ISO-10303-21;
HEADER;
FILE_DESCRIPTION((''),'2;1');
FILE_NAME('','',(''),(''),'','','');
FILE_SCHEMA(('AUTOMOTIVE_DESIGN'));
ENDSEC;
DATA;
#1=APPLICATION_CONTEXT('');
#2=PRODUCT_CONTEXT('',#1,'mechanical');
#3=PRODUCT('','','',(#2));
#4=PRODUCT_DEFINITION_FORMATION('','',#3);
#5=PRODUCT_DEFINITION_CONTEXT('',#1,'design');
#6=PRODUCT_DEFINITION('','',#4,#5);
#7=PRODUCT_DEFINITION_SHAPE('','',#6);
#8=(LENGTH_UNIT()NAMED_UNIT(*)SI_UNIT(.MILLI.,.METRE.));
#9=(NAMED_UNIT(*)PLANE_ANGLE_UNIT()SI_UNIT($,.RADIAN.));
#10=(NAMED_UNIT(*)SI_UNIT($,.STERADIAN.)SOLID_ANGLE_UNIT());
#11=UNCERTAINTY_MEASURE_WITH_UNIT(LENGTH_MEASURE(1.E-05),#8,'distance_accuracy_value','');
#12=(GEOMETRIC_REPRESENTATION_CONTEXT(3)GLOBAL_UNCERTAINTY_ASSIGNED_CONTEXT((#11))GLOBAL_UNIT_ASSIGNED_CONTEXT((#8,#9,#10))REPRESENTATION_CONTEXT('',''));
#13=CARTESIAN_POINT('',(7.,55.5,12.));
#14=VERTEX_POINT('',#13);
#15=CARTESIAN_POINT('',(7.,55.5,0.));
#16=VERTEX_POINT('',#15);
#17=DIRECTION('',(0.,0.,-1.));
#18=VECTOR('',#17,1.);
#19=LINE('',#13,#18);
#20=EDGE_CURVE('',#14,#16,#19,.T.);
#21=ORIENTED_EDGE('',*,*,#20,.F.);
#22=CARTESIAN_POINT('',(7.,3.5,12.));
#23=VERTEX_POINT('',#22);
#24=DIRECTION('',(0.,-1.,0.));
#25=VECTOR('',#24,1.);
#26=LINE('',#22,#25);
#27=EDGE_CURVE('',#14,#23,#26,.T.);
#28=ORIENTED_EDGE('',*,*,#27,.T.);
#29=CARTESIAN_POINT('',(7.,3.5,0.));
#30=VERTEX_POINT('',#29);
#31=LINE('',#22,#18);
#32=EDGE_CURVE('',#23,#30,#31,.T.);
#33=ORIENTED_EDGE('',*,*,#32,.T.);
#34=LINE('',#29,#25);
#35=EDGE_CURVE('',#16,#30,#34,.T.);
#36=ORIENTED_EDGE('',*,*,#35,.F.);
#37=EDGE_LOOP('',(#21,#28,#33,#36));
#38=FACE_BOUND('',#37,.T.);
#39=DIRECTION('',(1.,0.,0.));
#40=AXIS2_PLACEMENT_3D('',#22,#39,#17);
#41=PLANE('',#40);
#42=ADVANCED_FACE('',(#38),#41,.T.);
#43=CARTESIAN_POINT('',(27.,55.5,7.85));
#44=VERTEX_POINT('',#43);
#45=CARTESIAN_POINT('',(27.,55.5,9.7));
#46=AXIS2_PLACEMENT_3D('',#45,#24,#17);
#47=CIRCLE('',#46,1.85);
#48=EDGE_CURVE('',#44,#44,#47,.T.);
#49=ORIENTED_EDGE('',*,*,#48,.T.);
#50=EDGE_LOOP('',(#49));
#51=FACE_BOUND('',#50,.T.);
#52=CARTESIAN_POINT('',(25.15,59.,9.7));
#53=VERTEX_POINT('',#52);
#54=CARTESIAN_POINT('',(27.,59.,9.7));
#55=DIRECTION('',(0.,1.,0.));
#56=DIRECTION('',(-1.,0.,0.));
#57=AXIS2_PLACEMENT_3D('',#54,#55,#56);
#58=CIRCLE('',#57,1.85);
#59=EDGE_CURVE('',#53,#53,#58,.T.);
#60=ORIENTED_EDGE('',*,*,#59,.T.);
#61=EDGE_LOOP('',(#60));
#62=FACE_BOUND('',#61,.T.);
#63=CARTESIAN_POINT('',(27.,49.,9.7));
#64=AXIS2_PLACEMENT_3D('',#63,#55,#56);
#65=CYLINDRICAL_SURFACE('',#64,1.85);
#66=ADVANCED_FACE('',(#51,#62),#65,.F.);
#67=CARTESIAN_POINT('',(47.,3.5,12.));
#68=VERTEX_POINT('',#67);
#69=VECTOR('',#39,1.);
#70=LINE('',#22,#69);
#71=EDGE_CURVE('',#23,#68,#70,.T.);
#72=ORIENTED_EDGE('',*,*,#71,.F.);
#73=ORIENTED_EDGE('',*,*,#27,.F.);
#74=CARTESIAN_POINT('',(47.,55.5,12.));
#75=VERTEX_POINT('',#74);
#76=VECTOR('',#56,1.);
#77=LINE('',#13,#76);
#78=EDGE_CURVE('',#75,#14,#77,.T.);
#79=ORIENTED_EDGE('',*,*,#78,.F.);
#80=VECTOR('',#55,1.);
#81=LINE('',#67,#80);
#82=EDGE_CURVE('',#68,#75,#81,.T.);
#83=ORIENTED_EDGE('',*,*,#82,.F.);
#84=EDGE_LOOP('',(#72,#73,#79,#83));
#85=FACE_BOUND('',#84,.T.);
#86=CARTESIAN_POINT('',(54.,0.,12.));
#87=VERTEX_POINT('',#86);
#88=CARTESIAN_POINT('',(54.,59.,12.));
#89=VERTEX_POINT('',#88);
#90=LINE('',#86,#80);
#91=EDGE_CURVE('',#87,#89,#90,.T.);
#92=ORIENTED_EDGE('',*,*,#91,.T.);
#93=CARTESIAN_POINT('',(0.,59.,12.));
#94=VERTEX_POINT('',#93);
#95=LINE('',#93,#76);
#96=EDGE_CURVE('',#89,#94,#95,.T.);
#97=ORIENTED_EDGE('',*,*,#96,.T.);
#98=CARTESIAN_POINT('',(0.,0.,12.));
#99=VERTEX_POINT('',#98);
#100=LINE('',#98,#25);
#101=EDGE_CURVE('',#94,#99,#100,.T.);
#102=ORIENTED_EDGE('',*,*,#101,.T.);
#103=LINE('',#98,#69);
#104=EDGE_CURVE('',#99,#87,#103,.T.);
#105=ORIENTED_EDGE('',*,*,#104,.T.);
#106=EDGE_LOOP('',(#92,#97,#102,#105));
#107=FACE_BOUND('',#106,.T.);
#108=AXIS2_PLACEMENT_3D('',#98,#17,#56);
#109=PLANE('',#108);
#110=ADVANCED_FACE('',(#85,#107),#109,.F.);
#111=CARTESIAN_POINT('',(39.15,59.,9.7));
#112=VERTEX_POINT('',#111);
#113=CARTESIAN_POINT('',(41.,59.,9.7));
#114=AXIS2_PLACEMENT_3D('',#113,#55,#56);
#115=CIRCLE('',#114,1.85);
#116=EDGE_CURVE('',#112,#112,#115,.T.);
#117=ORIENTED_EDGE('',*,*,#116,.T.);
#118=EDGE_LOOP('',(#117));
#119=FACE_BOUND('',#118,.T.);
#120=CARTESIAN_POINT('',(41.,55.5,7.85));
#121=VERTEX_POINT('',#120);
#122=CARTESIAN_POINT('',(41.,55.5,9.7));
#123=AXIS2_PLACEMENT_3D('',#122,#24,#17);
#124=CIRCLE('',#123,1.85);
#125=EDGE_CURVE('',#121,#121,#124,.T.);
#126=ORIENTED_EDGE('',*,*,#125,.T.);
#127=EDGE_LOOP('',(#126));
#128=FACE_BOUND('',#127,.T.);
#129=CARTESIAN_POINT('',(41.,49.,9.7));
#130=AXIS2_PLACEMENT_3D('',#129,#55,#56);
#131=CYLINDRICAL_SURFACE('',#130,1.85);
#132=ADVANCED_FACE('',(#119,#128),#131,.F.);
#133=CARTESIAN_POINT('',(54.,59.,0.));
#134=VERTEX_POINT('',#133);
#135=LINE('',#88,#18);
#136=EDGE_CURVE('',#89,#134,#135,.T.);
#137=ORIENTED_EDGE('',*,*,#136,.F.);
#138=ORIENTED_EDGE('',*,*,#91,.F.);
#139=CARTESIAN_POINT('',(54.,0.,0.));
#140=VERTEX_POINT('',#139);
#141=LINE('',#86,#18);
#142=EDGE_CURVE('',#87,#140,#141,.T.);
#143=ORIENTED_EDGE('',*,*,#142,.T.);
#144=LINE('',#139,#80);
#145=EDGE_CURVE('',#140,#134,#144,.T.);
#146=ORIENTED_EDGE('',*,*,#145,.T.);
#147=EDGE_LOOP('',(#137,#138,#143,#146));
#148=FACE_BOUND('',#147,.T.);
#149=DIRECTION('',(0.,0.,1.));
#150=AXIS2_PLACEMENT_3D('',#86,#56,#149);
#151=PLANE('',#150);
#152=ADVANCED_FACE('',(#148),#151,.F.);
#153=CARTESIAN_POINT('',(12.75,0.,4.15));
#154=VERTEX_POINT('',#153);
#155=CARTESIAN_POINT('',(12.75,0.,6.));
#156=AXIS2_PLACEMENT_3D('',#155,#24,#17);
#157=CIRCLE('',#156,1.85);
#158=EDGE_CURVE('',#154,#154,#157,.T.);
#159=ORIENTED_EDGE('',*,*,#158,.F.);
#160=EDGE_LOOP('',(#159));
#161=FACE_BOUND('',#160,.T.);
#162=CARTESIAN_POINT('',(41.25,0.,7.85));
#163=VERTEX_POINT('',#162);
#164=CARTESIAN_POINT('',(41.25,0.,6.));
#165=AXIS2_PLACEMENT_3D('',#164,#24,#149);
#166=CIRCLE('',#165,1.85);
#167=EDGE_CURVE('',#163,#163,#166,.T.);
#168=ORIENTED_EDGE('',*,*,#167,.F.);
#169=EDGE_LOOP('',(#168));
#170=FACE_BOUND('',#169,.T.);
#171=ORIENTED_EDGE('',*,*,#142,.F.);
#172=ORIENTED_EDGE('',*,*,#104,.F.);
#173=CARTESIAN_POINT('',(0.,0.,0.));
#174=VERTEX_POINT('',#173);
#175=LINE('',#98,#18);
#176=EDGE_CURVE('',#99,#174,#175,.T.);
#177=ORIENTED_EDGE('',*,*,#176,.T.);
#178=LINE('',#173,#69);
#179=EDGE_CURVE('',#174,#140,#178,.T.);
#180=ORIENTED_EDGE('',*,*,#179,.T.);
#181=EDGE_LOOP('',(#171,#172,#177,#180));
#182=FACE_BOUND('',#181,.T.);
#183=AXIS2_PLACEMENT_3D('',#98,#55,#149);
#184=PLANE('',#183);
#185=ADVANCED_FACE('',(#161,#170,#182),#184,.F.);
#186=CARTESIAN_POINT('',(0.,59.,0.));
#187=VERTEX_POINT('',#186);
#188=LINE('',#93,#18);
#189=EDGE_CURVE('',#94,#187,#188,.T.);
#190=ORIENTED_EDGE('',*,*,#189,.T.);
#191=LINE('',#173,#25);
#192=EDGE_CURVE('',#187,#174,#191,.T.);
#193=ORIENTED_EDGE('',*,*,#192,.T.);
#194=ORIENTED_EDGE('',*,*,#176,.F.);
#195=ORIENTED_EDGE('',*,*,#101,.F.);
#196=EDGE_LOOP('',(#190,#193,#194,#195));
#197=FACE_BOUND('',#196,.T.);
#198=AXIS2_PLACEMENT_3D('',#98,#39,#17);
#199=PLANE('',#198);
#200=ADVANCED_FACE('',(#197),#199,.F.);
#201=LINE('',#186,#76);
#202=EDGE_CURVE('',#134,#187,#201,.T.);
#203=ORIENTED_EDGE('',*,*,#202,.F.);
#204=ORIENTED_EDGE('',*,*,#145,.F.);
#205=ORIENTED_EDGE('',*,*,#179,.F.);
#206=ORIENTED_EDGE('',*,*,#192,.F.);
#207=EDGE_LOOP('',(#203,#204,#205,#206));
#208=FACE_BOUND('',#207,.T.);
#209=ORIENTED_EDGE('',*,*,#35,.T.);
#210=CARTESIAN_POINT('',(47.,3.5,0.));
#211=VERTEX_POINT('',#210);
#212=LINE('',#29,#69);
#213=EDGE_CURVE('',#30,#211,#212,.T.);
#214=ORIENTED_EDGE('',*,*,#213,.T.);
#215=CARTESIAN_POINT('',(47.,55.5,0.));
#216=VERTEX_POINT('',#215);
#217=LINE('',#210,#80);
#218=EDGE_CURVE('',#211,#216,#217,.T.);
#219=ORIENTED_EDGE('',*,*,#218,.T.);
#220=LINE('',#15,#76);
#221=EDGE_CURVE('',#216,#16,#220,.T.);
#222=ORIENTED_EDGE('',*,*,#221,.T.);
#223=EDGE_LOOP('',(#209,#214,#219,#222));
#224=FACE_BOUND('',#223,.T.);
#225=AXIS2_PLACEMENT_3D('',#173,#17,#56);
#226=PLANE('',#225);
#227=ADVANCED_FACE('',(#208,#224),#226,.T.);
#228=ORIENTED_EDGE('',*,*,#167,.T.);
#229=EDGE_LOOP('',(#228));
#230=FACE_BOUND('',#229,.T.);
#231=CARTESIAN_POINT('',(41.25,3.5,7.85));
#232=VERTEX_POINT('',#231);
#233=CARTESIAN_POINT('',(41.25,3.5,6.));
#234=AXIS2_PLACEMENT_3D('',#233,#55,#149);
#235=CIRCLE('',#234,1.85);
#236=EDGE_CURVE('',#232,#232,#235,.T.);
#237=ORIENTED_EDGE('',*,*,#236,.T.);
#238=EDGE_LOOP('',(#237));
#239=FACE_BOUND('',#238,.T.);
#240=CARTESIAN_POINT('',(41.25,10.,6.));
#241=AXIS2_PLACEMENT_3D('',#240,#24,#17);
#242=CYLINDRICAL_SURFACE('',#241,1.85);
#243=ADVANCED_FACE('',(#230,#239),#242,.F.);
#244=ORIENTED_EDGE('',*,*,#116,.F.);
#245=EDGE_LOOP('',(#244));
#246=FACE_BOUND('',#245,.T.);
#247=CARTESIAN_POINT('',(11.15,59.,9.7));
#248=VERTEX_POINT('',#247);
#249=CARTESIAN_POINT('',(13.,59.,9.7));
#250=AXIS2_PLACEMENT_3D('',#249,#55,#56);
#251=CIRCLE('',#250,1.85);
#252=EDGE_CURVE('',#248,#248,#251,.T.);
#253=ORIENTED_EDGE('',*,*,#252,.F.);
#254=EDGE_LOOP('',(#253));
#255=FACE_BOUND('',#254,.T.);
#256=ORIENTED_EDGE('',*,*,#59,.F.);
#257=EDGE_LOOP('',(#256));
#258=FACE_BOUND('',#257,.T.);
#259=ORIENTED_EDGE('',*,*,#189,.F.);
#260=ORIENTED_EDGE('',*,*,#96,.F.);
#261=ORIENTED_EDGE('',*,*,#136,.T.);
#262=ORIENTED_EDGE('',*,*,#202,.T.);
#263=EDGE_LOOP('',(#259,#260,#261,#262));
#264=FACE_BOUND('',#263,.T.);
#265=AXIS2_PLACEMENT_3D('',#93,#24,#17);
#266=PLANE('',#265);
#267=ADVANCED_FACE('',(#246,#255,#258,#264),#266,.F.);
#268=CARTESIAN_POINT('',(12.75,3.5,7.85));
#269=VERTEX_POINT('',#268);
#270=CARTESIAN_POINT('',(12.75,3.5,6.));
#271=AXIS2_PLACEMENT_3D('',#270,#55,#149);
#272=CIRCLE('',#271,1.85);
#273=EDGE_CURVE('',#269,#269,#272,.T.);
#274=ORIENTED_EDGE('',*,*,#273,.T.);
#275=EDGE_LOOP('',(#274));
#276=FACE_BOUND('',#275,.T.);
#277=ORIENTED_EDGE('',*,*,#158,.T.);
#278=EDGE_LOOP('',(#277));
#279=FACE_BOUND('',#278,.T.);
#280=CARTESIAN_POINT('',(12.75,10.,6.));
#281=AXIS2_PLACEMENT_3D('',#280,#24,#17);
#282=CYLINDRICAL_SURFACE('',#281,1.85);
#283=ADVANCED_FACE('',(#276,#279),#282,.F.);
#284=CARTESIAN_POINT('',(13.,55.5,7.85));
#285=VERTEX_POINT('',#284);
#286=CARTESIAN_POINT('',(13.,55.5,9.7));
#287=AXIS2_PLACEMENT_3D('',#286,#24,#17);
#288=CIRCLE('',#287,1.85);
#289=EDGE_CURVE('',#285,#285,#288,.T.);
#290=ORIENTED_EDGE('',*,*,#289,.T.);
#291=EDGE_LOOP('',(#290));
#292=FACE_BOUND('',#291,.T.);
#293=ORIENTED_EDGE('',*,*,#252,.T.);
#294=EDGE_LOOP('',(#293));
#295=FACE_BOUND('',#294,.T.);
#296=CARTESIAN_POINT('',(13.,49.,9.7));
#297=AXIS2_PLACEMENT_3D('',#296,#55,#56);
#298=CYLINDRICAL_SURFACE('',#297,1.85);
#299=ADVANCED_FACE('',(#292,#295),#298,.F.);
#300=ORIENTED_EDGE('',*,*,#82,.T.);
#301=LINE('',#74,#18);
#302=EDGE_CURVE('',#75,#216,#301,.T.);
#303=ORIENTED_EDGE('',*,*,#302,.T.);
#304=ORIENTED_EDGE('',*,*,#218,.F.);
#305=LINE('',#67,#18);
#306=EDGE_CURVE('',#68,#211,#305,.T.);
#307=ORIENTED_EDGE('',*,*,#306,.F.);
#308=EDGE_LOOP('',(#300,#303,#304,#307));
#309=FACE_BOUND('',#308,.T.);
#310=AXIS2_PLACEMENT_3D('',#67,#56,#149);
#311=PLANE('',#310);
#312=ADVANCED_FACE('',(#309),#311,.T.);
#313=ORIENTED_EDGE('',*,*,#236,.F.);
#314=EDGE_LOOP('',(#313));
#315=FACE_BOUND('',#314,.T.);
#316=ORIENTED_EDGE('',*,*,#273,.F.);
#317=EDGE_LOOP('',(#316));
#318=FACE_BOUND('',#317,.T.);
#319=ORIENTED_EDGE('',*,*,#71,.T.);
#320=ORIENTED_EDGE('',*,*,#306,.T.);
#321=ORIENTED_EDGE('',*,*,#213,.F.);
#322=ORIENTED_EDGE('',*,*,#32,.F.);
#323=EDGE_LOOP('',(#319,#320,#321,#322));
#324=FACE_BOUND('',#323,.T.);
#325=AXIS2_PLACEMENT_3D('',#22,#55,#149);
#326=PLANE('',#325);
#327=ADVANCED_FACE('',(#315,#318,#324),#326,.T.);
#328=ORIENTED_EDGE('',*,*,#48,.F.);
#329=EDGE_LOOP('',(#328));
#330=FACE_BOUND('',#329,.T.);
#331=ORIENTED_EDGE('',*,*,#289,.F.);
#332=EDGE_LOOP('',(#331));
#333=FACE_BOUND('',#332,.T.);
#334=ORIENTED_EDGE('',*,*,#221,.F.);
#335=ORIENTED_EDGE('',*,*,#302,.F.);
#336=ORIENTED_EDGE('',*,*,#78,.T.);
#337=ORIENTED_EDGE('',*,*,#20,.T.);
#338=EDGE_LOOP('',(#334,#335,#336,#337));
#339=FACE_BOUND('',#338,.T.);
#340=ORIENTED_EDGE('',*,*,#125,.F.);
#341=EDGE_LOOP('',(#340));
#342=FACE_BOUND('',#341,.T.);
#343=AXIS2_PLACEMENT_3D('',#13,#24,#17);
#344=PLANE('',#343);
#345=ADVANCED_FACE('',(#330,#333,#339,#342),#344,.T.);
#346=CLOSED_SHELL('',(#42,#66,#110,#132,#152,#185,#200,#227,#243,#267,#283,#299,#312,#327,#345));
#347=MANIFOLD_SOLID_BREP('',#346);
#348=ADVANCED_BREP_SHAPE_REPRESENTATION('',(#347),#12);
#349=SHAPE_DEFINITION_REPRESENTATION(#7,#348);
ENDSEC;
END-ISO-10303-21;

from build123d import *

# Parameters (mm, degrees)
SKETCH1_W           = 54
SKETCH1_H           = 59
SKETCH1_W_2         = 40
SKETCH1_H_2         = 52
BOSS_EXTRUDE1_DEPTH = 12
SKETCH2_R           = 1.85
CUT_EXTRUDE1_DEPTH  = 10
SKETCH3_R           = 1.85
CUT_EXTRUDE2_DEPTH  = 10


with BuildPart() as part:
    # Sketch1 → Boss-Extrude1 (new body)
    with BuildSketch(Plane.XY):
        with Locations((27, 29.5)):
            Rectangle(SKETCH1_W, SKETCH1_H)
        with Locations((27, 29.5)):
            Rectangle(SKETCH1_W_2, SKETCH1_H_2, mode=Mode.SUBTRACT)
    extrude(amount=BOSS_EXTRUDE1_DEPTH)

    # Sketch2 → Cut-Extrude1 (cut)
    with BuildSketch(Plane(origin=(0, 59, 0), x_dir=(1, 0, 0), z_dir=(0, 1, 0))):
        with Locations(Location((13, -9.7, 0), (0, 0, 180))):
            Circle(SKETCH2_R)
        with Locations(Location((41, -9.7, 0), (0, 0, 180))):
            Circle(SKETCH2_R)
        with Locations(Location((27, -9.7, 0), (0, 0, 180))):
            Circle(SKETCH2_R)
    extrude(amount=-CUT_EXTRUDE1_DEPTH, mode=Mode.SUBTRACT)

    # Sketch3 → Cut-Extrude2 (cut)
    with BuildSketch(Plane.XZ):
        with Locations(Location((12.75, 6, 0), (0, 0, 270))):
            Circle(SKETCH3_R)
        with Locations(Location((41.25, 6, 0), (0, 0, 90))):
            Circle(SKETCH3_R)
    extrude(amount=-CUT_EXTRUDE2_DEPTH, mode=Mode.SUBTRACT)


solid = part.part
